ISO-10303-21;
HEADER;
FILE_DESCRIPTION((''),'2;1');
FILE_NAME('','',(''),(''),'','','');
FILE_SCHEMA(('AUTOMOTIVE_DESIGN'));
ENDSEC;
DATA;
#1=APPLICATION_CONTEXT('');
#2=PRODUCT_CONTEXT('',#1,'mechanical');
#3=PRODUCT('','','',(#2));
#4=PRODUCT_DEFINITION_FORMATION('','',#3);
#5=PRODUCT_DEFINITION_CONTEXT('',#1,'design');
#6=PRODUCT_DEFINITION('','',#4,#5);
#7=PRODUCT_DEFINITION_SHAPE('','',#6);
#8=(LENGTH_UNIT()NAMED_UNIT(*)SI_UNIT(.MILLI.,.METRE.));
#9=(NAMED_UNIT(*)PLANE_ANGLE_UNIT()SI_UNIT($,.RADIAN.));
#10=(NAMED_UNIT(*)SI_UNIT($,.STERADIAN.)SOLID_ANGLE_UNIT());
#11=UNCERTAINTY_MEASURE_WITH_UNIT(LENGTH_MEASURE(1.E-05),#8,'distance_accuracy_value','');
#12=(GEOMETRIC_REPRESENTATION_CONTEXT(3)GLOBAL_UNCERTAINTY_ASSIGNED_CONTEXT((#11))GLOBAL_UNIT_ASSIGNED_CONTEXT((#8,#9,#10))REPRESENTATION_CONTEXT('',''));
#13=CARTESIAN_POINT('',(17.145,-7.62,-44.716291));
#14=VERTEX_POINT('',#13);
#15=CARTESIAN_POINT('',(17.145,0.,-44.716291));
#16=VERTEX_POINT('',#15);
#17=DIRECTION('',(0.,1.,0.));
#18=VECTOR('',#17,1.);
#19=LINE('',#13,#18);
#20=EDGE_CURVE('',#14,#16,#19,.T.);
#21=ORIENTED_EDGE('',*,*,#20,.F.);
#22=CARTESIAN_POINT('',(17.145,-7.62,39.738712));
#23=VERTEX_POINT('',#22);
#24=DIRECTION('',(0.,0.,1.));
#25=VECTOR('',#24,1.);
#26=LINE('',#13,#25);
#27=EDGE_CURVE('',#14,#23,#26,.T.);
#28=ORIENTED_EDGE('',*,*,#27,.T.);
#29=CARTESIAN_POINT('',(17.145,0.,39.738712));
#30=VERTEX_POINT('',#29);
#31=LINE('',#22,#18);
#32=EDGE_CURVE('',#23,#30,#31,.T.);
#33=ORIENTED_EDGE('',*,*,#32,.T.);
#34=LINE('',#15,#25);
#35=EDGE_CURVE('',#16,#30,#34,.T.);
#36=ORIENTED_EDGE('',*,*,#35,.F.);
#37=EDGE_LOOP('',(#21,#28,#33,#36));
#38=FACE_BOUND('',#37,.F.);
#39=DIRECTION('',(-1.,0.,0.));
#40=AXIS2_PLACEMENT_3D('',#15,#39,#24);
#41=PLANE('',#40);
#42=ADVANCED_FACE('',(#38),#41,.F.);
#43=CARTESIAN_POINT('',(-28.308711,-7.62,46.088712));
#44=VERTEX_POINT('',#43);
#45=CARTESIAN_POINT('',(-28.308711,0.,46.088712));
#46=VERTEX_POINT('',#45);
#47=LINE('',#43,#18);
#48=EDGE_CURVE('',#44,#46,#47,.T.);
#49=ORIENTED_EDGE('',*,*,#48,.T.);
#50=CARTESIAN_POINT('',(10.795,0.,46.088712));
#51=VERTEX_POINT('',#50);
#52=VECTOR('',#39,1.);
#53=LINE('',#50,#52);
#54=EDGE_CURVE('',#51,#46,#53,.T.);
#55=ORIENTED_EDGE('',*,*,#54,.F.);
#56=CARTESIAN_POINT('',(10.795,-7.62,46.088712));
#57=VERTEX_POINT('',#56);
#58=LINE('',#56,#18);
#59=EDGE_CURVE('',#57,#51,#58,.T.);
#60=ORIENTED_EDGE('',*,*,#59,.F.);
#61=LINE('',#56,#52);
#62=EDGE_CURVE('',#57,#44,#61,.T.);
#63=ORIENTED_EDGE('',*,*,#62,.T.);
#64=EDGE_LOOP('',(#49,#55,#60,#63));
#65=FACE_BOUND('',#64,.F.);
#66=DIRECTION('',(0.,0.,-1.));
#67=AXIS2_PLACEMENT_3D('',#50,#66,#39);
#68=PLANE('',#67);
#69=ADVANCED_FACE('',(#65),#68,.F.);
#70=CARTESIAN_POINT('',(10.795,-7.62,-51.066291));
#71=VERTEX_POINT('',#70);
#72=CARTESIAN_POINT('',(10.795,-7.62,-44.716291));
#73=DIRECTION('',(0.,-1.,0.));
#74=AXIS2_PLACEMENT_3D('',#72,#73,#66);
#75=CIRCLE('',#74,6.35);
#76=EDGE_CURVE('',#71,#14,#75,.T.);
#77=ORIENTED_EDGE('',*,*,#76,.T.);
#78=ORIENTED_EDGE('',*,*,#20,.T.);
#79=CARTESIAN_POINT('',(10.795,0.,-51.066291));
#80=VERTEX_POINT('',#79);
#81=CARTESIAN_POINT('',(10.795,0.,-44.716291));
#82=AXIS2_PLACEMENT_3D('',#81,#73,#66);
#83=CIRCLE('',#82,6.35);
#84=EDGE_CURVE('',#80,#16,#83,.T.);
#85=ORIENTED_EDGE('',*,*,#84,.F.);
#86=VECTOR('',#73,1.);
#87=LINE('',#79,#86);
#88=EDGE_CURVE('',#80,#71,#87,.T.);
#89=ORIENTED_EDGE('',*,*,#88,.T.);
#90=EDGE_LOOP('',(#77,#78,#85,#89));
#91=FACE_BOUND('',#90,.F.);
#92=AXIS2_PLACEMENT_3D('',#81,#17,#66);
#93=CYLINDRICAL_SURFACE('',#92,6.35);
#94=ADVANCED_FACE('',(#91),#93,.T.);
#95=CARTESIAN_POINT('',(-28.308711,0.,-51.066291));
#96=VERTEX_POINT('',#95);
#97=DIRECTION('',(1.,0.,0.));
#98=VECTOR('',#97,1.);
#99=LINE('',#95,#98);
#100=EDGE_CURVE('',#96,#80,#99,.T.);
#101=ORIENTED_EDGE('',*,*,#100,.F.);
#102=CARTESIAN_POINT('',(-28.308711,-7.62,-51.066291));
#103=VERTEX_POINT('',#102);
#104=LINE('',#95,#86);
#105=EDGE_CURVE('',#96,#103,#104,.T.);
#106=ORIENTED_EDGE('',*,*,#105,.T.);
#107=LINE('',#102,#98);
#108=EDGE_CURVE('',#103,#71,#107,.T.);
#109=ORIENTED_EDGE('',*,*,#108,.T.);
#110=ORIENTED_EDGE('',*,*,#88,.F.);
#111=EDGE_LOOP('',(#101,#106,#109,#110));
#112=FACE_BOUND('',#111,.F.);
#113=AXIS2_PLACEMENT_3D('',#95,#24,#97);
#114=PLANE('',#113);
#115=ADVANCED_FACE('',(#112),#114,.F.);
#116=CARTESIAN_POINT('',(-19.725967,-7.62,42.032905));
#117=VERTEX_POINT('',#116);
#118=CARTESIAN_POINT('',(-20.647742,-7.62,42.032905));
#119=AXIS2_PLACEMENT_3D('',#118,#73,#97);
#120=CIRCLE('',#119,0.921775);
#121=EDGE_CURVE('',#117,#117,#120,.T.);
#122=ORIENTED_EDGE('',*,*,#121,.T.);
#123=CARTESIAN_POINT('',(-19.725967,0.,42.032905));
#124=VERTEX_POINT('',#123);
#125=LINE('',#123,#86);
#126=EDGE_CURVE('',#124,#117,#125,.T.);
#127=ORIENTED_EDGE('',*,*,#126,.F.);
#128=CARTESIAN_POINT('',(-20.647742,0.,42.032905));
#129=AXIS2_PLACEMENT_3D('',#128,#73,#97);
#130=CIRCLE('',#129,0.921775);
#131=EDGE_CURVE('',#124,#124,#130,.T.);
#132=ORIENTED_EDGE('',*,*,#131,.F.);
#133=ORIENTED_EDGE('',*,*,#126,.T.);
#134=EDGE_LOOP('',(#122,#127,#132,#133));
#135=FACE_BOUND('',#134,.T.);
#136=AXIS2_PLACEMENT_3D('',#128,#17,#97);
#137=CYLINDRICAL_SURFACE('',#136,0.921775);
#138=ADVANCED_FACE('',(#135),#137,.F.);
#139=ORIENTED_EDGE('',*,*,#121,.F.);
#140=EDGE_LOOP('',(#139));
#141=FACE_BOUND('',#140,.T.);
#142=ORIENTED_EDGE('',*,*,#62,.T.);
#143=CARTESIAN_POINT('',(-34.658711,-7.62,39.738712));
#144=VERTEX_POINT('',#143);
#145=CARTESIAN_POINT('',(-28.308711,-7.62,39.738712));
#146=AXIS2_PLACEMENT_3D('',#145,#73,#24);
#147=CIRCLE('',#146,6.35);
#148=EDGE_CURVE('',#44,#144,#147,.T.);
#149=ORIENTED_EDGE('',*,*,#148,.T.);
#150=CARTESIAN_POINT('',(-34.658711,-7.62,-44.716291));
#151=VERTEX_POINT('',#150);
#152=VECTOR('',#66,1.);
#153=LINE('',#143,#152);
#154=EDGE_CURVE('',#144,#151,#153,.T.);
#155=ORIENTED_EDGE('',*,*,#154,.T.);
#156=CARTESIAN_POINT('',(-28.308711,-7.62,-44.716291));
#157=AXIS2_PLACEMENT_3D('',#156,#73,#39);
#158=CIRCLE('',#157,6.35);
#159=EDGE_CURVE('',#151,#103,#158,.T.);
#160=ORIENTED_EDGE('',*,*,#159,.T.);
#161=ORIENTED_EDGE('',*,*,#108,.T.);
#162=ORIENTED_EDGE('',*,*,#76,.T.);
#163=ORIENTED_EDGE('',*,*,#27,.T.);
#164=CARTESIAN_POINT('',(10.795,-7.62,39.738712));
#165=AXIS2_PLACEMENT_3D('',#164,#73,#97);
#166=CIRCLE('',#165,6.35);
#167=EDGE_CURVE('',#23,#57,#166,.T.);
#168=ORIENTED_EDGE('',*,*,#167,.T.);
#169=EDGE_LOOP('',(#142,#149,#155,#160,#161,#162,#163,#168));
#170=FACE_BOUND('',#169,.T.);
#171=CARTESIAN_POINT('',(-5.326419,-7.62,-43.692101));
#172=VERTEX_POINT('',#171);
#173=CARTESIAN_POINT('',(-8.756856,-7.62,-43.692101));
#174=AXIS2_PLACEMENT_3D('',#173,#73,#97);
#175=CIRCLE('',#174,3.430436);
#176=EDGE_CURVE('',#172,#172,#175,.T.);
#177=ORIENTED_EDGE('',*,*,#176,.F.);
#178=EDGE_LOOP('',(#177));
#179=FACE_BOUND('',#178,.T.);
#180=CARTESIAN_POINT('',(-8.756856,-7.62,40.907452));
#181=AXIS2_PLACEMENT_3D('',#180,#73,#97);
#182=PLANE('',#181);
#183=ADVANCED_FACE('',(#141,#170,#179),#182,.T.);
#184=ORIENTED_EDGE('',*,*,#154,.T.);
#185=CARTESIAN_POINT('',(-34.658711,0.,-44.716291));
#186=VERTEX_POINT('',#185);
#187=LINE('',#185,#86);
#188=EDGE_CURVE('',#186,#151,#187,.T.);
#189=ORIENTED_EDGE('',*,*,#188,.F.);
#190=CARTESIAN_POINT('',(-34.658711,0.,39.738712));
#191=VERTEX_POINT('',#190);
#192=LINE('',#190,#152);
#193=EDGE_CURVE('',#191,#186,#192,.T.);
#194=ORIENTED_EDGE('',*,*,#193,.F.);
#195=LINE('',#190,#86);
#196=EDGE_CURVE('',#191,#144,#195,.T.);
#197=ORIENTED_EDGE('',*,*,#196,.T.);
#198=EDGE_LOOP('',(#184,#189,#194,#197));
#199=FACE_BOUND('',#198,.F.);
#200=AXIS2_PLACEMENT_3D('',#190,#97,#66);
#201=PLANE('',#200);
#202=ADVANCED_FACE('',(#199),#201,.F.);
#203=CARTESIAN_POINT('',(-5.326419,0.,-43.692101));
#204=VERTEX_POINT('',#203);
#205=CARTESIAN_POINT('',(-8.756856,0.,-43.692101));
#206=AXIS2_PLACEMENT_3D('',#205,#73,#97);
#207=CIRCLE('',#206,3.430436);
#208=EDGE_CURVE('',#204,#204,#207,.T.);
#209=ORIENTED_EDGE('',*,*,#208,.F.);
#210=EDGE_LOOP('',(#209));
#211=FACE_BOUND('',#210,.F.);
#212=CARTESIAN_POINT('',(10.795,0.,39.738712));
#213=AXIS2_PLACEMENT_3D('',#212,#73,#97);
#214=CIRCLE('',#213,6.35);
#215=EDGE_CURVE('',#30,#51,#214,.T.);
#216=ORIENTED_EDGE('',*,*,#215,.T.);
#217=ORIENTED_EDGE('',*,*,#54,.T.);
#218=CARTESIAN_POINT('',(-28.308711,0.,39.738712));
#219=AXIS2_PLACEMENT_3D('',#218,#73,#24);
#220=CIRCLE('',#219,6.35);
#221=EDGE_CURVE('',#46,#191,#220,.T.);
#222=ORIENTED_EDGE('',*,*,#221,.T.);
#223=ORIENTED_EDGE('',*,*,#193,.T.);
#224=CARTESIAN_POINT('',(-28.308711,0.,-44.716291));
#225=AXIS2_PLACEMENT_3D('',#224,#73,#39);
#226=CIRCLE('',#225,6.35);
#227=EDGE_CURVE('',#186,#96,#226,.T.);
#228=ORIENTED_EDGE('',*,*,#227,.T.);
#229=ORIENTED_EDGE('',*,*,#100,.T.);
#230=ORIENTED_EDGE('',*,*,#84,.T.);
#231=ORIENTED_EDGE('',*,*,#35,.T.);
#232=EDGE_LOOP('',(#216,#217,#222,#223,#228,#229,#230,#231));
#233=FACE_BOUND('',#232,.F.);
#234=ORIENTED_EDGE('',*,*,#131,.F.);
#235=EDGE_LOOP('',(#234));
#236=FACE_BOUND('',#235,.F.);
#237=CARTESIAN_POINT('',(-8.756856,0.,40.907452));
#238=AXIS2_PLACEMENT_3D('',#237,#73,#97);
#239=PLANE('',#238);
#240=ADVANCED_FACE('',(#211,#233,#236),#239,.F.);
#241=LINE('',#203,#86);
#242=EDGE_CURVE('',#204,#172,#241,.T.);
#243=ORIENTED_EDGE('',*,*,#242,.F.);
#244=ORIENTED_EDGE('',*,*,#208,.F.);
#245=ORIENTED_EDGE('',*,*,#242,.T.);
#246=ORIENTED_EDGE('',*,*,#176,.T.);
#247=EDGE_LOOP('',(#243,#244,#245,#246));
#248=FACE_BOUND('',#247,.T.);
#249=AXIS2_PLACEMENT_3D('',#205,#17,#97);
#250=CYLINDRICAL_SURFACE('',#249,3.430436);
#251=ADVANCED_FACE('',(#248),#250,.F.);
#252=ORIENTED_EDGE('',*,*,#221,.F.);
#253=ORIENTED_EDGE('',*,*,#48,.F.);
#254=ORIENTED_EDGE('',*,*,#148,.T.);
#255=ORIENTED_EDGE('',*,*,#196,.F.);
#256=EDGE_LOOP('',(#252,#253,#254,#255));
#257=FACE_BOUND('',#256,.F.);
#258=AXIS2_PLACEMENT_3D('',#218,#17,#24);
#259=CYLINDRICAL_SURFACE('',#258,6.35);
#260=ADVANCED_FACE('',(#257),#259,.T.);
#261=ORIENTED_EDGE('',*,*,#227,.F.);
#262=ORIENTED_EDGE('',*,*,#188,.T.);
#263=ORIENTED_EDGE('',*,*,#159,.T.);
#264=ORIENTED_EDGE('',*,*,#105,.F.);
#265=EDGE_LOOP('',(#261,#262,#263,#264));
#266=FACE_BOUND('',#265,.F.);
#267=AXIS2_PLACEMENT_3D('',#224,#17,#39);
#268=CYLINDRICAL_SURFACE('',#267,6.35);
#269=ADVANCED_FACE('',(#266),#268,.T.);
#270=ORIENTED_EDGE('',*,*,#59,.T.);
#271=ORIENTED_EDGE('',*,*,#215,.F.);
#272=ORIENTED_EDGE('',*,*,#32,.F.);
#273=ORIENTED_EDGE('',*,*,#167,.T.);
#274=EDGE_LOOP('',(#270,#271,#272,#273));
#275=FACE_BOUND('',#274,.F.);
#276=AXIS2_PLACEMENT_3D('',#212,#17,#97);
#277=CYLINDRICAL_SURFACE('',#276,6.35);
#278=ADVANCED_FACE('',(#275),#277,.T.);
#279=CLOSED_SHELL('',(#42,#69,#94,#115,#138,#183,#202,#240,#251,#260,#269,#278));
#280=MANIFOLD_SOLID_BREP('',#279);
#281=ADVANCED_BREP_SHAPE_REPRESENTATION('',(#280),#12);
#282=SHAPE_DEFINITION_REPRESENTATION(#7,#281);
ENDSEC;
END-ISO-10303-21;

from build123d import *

# Parameters (mm, degrees)
F0_R     = 0.9217746556
F0_W     = 51.8037118018
F0_H     = 75.0324204564
F0_R_2   = 3.4304363285
F1_DEPTH = 1.27
F2_DEPTH = 7.62


with BuildPart() as f1:
    # F0 (on Front) → F1 (new body)
    with BuildSketch(Plane.XZ):
        with BuildLine():
            ThreePointArc((-28.3087114036, 46.0887122899), (-32.7988394641, 44.2288403505), (-34.6587114036, 39.7387122899))
            Line((-34.6587114036, 39.7387122899), (-34.6587114036, 36.3179035485))
            Line((-34.6587114036, 36.3179035485), (17.1450003982, 36.3179035485))
            Line((17.1450003982, 36.3179035485), (17.1450003982, 39.7387122899))
            ThreePointArc((17.1450003982, 39.7387122899), (15.2851284587, 44.2288403505), (10.7950003982, 46.0887122899))
            Line((10.7950003982, 46.0887122899), (-28.3087114036, 46.0887122899))
        make_face()
        with Locations((-20.6477418542, 42.032904923)):
            Circle(F0_R, mode=Mode.SUBTRACT)
        with Locations((-8.7568555027, -1.1983066797)):
            Rectangle(F0_W, F0_H)
        with BuildLine():
            Line((17.1450003982, -38.7145169079), (-34.6587114036, -38.7145169079))
            Line((-34.6587114036, -38.7145169079), (-34.6587114036, -44.7162905872))
            ThreePointArc((-34.6587114036, -44.7162905872), (-32.7988394641, -49.2064186477), (-28.3087114036, -51.0662905872))
            Line((-28.3087114036, -51.0662905872), (10.7950003982, -51.0662905872))
            ThreePointArc((10.7950003982, -51.0662905872), (15.2851284587, -49.2064186477), (17.1450003982, -44.7162905872))
            Line((17.1450003982, -44.7162905872), (17.1450003982, -38.7145169079))
        make_face()
        with Locations((-8.7568555027, -43.6921007931)):
            Circle(F0_R_2, mode=Mode.SUBTRACT)
    extrude(amount=F1_DEPTH)

    # F0 (on Front) → F2 (join)
    with BuildSketch(Plane.XZ):
        with BuildLine():
            ThreePointArc((-28.3087114036, 46.0887122899), (-32.7988394641, 44.2288403505), (-34.6587114036, 39.7387122899))
            Line((-34.6587114036, 39.7387122899), (-34.6587114036, 36.3179035485))
            Line((-34.6587114036, 36.3179035485), (17.1450003982, 36.3179035485))
            Line((17.1450003982, 36.3179035485), (17.1450003982, 39.7387122899))
            ThreePointArc((17.1450003982, 39.7387122899), (15.2851284587, 44.2288403505), (10.7950003982, 46.0887122899))
            Line((10.7950003982, 46.0887122899), (-28.3087114036, 46.0887122899))
        make_face()
        with Locations((-20.6477418542, 42.032904923)):
            Circle(F0_R, mode=Mode.SUBTRACT)
        with Locations((-8.7568555027, -1.1983066797)):
            Rectangle(F0_W, F0_H)
        with BuildLine():
            Line((17.1450003982, -38.7145169079), (-34.6587114036, -38.7145169079))
            Line((-34.6587114036, -38.7145169079), (-34.6587114036, -44.7162905872))
            ThreePointArc((-34.6587114036, -44.7162905872), (-32.7988394641, -49.2064186477), (-28.3087114036, -51.0662905872))
            Line((-28.3087114036, -51.0662905872), (10.7950003982, -51.0662905872))
            ThreePointArc((10.7950003982, -51.0662905872), (15.2851284587, -49.2064186477), (17.1450003982, -44.7162905872))
            Line((17.1450003982, -44.7162905872), (17.1450003982, -38.7145169079))
        make_face()
        with Locations((-8.7568555027, -43.6921007931)):
            Circle(F0_R_2, mode=Mode.SUBTRACT)
    extrude(amount=F2_DEPTH)


solid = f1.part
